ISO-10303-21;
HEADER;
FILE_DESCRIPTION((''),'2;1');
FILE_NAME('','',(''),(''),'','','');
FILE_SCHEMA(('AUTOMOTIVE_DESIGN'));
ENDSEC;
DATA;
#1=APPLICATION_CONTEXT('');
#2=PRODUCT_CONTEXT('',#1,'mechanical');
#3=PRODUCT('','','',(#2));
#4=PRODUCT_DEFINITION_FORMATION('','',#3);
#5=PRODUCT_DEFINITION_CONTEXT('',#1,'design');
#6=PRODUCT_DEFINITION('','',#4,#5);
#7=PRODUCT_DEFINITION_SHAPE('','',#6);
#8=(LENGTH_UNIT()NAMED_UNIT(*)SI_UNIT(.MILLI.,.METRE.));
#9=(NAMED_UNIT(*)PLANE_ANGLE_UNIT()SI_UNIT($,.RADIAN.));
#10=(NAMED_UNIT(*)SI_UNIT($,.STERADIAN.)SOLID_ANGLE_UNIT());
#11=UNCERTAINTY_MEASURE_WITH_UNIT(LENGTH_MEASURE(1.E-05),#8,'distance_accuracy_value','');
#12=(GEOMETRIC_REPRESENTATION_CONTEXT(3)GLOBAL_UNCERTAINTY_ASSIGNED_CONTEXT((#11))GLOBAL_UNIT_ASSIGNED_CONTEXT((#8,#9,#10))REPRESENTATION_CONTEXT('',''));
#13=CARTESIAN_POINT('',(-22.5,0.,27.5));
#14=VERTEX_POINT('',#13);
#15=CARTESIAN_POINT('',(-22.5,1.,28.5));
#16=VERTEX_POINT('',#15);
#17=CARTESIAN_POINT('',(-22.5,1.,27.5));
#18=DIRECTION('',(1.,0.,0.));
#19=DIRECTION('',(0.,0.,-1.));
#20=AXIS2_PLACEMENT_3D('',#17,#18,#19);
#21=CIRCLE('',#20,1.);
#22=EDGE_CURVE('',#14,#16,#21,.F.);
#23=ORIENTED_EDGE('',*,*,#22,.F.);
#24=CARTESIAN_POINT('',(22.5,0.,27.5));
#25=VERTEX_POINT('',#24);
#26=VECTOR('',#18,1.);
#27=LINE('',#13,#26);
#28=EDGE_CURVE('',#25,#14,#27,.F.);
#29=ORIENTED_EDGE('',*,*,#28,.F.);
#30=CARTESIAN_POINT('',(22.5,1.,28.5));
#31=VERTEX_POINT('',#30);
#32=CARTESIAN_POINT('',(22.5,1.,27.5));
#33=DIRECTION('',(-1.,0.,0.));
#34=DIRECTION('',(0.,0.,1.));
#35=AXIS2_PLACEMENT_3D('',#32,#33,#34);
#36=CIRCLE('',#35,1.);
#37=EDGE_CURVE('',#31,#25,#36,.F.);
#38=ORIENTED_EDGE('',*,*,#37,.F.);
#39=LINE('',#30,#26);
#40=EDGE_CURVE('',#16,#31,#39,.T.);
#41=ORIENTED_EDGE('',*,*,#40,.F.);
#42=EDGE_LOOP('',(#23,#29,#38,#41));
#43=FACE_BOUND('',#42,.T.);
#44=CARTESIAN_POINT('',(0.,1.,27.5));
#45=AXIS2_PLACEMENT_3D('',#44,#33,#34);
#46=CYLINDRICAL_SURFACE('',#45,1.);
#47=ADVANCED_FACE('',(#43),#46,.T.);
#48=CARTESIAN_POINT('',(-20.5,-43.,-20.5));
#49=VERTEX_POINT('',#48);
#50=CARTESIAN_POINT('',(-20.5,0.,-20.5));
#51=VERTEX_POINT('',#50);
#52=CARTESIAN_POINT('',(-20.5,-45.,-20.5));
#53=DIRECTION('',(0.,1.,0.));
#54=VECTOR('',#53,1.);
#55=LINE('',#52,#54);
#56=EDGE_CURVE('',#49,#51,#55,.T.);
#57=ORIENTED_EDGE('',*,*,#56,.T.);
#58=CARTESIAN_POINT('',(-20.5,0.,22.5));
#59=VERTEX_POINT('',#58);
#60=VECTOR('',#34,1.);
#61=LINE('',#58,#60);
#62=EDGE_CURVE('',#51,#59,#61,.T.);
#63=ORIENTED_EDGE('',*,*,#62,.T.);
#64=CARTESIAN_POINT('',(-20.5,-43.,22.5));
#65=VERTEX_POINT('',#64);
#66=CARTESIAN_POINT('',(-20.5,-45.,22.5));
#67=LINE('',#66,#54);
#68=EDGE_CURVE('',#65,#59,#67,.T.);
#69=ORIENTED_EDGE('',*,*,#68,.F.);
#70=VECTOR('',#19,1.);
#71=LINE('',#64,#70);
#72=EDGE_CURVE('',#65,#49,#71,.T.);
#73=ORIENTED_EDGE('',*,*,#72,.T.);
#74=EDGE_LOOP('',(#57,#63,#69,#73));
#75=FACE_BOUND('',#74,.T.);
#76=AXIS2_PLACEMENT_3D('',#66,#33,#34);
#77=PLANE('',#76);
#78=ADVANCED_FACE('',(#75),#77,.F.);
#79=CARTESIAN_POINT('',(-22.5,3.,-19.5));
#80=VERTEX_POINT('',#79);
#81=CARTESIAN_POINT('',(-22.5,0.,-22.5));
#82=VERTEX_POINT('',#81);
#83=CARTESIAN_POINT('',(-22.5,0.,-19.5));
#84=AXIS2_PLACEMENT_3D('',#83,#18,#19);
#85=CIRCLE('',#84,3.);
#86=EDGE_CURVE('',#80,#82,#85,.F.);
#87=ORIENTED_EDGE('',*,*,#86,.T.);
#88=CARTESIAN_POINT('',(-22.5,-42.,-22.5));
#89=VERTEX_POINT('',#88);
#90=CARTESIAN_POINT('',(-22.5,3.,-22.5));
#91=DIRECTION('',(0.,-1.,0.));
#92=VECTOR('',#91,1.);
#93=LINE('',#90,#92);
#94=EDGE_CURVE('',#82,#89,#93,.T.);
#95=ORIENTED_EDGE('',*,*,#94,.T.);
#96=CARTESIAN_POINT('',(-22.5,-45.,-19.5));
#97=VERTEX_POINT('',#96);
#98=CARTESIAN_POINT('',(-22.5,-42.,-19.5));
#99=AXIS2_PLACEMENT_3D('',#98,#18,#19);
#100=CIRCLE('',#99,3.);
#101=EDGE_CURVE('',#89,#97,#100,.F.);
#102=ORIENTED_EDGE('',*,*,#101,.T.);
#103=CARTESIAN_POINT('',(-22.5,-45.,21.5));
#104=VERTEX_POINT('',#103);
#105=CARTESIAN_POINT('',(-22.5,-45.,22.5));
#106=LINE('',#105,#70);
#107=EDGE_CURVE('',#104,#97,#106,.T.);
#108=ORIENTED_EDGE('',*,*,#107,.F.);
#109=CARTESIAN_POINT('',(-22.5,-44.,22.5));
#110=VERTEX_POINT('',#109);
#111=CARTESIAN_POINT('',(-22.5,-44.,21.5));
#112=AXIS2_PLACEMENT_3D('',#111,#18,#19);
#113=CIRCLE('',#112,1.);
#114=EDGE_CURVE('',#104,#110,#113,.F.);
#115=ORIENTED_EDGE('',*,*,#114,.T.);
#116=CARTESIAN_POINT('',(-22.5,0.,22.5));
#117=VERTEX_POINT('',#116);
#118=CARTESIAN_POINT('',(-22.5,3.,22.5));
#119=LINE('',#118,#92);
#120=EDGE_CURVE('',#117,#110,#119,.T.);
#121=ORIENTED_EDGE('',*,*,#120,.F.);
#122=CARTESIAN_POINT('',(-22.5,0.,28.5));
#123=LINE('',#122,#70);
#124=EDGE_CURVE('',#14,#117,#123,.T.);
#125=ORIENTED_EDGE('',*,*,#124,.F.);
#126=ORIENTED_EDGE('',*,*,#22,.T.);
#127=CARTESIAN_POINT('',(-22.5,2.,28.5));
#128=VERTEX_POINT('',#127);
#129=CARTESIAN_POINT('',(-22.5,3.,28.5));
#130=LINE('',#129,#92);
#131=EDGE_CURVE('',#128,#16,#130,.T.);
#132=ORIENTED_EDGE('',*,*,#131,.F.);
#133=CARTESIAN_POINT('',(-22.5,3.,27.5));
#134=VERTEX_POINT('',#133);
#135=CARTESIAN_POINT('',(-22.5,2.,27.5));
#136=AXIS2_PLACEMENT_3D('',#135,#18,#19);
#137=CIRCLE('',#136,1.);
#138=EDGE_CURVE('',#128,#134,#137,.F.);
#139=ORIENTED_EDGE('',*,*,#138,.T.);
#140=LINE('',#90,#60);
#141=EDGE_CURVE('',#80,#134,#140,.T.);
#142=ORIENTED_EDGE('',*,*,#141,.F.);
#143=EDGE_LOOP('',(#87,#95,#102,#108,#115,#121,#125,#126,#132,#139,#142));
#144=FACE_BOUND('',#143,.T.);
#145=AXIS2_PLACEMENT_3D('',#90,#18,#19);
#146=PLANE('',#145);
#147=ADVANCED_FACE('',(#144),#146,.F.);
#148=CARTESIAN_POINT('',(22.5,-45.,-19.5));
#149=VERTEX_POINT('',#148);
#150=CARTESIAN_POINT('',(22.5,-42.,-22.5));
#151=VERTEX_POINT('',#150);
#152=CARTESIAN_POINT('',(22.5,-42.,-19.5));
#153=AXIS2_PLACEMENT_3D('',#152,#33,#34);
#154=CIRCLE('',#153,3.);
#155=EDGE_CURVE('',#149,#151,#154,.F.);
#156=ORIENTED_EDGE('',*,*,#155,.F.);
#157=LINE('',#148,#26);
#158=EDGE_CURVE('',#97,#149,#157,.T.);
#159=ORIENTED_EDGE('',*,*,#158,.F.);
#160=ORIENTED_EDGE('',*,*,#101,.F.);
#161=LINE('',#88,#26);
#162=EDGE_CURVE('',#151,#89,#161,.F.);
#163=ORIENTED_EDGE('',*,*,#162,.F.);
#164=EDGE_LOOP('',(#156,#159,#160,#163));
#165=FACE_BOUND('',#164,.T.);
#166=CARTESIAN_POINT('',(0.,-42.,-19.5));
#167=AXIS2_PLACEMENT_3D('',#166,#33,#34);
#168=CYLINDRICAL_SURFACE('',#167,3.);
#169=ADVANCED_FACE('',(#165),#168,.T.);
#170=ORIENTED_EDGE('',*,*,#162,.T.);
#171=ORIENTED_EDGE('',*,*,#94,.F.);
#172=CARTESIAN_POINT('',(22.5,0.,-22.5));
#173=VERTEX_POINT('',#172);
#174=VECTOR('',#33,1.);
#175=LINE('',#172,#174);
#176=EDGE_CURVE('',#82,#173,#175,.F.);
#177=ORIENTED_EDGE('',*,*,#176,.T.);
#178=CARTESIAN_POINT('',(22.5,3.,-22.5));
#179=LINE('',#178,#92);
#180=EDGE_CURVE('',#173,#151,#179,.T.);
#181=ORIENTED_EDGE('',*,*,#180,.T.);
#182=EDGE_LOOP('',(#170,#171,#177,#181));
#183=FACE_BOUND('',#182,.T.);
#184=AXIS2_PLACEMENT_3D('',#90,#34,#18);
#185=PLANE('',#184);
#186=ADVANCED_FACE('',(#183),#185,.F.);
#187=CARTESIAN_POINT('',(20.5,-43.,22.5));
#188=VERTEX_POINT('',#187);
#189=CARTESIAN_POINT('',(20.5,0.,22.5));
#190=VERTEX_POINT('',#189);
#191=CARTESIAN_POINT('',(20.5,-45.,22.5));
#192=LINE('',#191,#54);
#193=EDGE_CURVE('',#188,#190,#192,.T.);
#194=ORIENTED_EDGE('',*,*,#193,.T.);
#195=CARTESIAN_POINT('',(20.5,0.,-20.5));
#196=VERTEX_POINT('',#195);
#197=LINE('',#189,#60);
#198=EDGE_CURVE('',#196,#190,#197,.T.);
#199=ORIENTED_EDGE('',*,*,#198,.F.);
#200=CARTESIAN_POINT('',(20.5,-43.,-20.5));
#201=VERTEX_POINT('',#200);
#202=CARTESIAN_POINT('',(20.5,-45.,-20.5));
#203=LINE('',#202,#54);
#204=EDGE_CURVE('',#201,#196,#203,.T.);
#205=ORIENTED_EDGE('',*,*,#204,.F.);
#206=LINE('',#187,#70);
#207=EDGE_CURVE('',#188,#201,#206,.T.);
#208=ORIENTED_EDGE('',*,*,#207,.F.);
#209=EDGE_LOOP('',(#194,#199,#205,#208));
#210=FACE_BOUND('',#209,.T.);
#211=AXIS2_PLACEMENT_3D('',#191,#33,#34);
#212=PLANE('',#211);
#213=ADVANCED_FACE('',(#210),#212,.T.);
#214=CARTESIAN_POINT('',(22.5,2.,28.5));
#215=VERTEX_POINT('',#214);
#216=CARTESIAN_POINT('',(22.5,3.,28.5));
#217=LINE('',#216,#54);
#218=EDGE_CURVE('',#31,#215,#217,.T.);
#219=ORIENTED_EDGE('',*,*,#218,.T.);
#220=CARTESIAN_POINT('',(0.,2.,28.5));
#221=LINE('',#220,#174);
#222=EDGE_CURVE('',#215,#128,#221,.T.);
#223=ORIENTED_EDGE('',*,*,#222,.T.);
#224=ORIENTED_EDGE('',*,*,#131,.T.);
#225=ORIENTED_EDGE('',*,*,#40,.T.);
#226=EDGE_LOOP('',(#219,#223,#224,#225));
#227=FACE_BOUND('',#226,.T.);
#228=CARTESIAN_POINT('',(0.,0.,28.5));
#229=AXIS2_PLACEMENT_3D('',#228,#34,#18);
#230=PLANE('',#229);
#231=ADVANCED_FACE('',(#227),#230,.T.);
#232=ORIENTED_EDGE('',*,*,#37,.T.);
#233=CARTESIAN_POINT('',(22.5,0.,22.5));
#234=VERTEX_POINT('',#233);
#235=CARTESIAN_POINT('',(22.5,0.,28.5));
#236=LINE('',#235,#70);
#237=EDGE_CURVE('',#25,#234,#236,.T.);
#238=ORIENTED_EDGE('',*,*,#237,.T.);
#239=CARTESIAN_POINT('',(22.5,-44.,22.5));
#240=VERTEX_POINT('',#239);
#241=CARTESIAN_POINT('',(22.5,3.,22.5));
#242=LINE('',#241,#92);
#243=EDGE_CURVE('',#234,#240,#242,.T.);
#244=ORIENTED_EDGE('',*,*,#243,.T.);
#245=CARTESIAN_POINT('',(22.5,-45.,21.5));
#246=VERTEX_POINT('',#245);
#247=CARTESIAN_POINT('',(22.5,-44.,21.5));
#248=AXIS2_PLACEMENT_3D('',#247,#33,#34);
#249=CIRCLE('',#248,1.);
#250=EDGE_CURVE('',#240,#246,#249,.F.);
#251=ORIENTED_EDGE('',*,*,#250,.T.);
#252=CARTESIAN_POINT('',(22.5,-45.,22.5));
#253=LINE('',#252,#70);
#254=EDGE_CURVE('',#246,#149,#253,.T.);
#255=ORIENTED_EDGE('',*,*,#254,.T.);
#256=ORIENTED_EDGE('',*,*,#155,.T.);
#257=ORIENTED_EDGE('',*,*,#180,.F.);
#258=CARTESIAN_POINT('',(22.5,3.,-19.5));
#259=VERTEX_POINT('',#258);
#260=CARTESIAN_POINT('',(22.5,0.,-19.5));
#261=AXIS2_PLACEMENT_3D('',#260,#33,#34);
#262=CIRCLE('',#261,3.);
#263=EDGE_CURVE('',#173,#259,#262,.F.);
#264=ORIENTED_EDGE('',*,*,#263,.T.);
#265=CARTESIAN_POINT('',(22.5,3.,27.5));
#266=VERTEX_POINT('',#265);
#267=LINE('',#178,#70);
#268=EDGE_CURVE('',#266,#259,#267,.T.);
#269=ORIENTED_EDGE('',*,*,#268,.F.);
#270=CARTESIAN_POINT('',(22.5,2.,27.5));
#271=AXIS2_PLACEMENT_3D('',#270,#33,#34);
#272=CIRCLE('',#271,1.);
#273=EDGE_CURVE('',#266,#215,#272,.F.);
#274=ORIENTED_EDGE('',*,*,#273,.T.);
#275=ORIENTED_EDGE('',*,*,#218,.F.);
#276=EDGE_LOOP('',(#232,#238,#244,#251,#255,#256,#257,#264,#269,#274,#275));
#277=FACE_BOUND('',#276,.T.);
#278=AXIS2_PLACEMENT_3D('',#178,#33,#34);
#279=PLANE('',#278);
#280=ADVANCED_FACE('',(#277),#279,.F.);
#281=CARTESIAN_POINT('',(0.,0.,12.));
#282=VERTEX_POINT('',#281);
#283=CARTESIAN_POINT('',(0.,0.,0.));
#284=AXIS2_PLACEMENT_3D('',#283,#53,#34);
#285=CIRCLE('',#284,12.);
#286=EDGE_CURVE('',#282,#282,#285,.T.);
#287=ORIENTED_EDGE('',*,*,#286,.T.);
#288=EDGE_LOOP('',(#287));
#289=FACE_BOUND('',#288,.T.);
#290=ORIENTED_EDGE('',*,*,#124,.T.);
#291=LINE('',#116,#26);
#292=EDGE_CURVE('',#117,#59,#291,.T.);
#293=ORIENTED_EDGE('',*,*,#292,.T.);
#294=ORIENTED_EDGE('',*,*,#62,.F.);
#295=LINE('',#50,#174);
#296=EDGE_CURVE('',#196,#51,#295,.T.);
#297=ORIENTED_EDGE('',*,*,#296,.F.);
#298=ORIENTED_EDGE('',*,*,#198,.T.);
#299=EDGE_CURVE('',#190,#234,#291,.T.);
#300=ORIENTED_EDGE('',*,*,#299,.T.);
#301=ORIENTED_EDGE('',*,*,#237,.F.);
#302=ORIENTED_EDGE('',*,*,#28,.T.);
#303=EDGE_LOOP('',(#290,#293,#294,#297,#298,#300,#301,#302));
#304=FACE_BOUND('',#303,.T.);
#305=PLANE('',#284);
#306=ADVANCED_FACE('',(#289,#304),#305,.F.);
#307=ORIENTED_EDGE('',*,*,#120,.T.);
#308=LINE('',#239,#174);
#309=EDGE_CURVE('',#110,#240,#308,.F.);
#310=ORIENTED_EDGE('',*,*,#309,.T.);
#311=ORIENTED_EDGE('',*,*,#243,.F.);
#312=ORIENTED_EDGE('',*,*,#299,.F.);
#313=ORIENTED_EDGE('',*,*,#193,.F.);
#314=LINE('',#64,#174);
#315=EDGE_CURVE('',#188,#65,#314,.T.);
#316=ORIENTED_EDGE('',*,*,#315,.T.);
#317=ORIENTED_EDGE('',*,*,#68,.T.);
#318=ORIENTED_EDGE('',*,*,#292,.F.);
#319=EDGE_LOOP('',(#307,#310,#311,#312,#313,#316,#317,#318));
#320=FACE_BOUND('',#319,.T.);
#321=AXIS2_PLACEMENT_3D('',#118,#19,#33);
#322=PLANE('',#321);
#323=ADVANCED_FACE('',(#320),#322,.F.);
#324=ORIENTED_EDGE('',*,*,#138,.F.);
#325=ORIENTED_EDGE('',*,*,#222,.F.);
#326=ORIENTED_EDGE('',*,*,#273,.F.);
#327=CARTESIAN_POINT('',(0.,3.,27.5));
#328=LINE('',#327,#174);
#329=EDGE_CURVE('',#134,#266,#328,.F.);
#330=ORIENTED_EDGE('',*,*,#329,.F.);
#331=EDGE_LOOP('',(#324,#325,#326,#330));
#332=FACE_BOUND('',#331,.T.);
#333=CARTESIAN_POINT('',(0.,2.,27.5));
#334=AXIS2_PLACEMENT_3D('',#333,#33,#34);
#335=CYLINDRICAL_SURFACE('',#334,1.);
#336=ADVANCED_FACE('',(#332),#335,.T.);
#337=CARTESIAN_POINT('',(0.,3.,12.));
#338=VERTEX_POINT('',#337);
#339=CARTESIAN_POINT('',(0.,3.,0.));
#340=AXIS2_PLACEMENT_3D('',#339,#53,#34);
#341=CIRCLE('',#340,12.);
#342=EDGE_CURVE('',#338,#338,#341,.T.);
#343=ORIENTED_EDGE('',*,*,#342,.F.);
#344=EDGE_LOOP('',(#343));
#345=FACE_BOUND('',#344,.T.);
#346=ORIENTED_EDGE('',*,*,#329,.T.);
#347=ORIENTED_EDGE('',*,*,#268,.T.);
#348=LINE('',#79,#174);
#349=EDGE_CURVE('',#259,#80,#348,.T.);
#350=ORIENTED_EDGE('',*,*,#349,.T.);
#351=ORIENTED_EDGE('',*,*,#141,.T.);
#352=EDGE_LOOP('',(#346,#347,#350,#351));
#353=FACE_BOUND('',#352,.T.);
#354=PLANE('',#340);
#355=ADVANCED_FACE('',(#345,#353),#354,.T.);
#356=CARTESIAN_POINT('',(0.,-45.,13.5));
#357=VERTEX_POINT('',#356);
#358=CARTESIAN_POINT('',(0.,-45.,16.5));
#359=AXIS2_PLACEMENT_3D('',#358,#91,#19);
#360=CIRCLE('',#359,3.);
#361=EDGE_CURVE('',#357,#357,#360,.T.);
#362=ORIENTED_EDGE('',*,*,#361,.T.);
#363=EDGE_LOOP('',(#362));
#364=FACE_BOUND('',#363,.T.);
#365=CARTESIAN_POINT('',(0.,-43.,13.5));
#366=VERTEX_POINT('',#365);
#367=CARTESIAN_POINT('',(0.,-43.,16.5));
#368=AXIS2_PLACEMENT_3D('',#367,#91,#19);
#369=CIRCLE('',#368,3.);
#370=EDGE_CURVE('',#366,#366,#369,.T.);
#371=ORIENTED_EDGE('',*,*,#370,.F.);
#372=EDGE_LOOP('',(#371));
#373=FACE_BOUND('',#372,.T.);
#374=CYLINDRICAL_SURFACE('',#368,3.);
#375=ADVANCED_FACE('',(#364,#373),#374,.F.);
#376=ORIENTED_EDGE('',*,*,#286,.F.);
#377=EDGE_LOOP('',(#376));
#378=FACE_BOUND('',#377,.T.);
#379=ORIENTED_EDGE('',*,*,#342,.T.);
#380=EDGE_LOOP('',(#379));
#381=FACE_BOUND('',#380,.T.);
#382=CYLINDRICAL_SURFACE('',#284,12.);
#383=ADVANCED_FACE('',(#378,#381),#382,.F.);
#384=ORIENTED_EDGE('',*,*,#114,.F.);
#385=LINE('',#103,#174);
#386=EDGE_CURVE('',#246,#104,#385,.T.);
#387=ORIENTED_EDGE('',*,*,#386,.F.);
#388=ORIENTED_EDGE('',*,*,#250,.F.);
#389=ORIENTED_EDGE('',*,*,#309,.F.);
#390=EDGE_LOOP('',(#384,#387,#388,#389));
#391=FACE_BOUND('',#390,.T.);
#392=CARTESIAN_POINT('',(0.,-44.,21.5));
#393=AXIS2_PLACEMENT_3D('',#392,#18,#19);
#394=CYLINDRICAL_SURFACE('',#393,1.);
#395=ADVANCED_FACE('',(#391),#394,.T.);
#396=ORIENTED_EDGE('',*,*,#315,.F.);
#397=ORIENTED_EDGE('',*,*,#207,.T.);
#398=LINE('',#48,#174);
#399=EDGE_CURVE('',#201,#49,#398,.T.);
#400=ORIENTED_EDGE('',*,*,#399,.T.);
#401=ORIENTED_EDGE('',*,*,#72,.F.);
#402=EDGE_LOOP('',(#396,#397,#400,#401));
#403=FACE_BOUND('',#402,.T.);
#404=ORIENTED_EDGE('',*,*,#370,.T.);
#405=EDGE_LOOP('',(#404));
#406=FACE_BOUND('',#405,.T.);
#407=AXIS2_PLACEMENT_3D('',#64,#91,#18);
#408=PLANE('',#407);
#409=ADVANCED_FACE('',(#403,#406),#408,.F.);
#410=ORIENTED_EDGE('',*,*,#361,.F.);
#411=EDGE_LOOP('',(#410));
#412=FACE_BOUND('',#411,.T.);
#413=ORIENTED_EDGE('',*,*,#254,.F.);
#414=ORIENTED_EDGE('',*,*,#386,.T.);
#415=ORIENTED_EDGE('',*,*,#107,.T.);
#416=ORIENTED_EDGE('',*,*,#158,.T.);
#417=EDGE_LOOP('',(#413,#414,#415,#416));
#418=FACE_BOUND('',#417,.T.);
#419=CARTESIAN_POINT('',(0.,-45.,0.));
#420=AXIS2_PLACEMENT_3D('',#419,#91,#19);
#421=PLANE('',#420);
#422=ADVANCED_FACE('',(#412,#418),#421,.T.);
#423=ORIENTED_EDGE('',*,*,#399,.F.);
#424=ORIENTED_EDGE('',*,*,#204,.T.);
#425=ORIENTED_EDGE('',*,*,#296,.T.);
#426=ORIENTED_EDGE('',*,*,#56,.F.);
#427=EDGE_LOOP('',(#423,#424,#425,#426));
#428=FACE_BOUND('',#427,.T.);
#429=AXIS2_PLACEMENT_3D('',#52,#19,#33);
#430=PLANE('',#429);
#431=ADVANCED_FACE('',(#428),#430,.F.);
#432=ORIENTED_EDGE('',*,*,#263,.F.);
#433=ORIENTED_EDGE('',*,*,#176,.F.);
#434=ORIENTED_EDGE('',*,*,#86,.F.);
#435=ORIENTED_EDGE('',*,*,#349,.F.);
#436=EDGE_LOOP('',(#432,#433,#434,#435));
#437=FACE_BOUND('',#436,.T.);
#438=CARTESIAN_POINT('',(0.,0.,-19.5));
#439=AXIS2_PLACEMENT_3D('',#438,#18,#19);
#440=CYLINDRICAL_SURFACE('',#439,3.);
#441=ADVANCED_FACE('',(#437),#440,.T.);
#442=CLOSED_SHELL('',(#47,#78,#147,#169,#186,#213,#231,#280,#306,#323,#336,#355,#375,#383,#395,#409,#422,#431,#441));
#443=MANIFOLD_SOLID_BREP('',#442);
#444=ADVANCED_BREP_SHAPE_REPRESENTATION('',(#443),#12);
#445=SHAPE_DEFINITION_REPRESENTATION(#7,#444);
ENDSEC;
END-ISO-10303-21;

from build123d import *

# Parameters (mm, degrees)
SKETCH_1_W          = 45
SKETCH_1_H          = 45
EXTRUDE_1_DEPTH     = 3
SKETCH_2_R          = 12
CUT_EXTRUDE_1_DEPTH = 3
SKETCH_3_W          = 2
SKETCH_3_H          = 45
EXTRUDE_3_DEPTH     = 45
SKETCH_4_R          = 12
CUT_EXTRUDE_2_DEPTH = 3
SKETCH_5_W          = 41
SKETCH_5_H          = 2
EXTRUDE_4_DEPTH     = 45
SKETCH_6_W          = 41
SKETCH_6_H          = 2
EXTRUDE_5_DEPTH     = 43
SKETCH_8_W          = 45
SKETCH_8_H          = 3
EXTRUDE_6_DEPTH     = 6
FILLET_3_R          = 1
FILLET_4_R          = 3
SKETCH_9_R          = 3
CUT_EXTRUDE_3_DEPTH = 2
FILLET_8_R          = 1


with BuildPart() as part:
    # Эскиз1 → Бобышка-Вытянуть1 (new body)
    with BuildSketch(Plane(origin=(0, 0, 0), x_dir=(1, 0, 0), z_dir=(0, 1, 0))):
        Rectangle(SKETCH_1_W, SKETCH_1_H)
    extrude_1 = extrude(amount=EXTRUDE_1_DEPTH)

    # Эскиз2 → Вырез-Вытянуть1 (cut)
    with BuildSketch(Plane(origin=(0, 3, 0), x_dir=(1, 0, 0), z_dir=(0, 1, 0))):
        Circle(SKETCH_2_R)
    extrude(amount=-CUT_EXTRUDE_1_DEPTH, mode=Mode.SUBTRACT)

    # Эскиз3 → Бобышка-Вытянуть3 (add)
    with BuildSketch(Plane.XZ):
        with Locations((-21.5, 0)):
            Rectangle(SKETCH_3_W, SKETCH_3_H)
    extrude_3 = extrude(amount=EXTRUDE_3_DEPTH)

    # Зеркальное отражение3: Бобышка-Вытянуть1, Бобышка-Вытянуть3 across plane
    add(extrude_1.mirror(Plane.ZY))
    add(extrude_3.mirror(Plane.ZY))

    # Эскиз4 → Вырез-Вытянуть2 (cut)
    with BuildSketch(Plane(origin=(0, 3, 0), x_dir=(1, 0, 0), z_dir=(0, 1, 0))):
        Circle(SKETCH_4_R)
    extrude(amount=-CUT_EXTRUDE_2_DEPTH, mode=Mode.SUBTRACT)

    # Эскиз5 → Бобышка-Вытянуть4 (add)
    with BuildSketch(Plane.XZ):
        with Locations((0, -21.5)):
            Rectangle(SKETCH_5_W, SKETCH_5_H)
    extrude(amount=EXTRUDE_4_DEPTH)

    # Эскиз6 → Бобышка-Вытянуть5 (add)
    with BuildSketch(Plane.XY.offset(-20.5)):
        with Locations((0, -44)):
            Rectangle(SKETCH_6_W, SKETCH_6_H)
    extrude(amount=EXTRUDE_5_DEPTH)

    # Эскиз8 → Бобышка-Вытянуть6 (add)
    with BuildSketch(Plane.XY.offset(22.5)):
        with Locations((0, 1.5)):
            Rectangle(SKETCH_8_W, SKETCH_8_H)
    extrude(amount=EXTRUDE_6_DEPTH)

    # Скругление3
    fillet_3_edges = [part.edges().sort_by_distance(p)[0] for p in [
        (0, 0, 28.5),
        (0, 3, 28.5),
    ]]
    fillet(fillet_3_edges, radius=FILLET_3_R)

    # Скругление4
    fillet_4_edges = [part.edges().sort_by_distance(p)[0] for p in [
        (0, -45, -22.5),
        (0, 3, -22.5),
    ]]
    fillet(fillet_4_edges, radius=FILLET_4_R)

    # Эскиз9 → Вырез-Вытянуть3 (cut)
    with BuildSketch(Plane.XZ.offset(45)):
        with Locations((0, 16.5)):
            Circle(SKETCH_9_R)
    extrude(amount=-CUT_EXTRUDE_3_DEPTH, mode=Mode.SUBTRACT)

    # Скругление8
    fillet_8_edges = [part.edges().sort_by_distance(p)[0] for p in [
        (0, -45, 22.5),
    ]]
    fillet(fillet_8_edges, radius=FILLET_8_R)


solid = part.part
